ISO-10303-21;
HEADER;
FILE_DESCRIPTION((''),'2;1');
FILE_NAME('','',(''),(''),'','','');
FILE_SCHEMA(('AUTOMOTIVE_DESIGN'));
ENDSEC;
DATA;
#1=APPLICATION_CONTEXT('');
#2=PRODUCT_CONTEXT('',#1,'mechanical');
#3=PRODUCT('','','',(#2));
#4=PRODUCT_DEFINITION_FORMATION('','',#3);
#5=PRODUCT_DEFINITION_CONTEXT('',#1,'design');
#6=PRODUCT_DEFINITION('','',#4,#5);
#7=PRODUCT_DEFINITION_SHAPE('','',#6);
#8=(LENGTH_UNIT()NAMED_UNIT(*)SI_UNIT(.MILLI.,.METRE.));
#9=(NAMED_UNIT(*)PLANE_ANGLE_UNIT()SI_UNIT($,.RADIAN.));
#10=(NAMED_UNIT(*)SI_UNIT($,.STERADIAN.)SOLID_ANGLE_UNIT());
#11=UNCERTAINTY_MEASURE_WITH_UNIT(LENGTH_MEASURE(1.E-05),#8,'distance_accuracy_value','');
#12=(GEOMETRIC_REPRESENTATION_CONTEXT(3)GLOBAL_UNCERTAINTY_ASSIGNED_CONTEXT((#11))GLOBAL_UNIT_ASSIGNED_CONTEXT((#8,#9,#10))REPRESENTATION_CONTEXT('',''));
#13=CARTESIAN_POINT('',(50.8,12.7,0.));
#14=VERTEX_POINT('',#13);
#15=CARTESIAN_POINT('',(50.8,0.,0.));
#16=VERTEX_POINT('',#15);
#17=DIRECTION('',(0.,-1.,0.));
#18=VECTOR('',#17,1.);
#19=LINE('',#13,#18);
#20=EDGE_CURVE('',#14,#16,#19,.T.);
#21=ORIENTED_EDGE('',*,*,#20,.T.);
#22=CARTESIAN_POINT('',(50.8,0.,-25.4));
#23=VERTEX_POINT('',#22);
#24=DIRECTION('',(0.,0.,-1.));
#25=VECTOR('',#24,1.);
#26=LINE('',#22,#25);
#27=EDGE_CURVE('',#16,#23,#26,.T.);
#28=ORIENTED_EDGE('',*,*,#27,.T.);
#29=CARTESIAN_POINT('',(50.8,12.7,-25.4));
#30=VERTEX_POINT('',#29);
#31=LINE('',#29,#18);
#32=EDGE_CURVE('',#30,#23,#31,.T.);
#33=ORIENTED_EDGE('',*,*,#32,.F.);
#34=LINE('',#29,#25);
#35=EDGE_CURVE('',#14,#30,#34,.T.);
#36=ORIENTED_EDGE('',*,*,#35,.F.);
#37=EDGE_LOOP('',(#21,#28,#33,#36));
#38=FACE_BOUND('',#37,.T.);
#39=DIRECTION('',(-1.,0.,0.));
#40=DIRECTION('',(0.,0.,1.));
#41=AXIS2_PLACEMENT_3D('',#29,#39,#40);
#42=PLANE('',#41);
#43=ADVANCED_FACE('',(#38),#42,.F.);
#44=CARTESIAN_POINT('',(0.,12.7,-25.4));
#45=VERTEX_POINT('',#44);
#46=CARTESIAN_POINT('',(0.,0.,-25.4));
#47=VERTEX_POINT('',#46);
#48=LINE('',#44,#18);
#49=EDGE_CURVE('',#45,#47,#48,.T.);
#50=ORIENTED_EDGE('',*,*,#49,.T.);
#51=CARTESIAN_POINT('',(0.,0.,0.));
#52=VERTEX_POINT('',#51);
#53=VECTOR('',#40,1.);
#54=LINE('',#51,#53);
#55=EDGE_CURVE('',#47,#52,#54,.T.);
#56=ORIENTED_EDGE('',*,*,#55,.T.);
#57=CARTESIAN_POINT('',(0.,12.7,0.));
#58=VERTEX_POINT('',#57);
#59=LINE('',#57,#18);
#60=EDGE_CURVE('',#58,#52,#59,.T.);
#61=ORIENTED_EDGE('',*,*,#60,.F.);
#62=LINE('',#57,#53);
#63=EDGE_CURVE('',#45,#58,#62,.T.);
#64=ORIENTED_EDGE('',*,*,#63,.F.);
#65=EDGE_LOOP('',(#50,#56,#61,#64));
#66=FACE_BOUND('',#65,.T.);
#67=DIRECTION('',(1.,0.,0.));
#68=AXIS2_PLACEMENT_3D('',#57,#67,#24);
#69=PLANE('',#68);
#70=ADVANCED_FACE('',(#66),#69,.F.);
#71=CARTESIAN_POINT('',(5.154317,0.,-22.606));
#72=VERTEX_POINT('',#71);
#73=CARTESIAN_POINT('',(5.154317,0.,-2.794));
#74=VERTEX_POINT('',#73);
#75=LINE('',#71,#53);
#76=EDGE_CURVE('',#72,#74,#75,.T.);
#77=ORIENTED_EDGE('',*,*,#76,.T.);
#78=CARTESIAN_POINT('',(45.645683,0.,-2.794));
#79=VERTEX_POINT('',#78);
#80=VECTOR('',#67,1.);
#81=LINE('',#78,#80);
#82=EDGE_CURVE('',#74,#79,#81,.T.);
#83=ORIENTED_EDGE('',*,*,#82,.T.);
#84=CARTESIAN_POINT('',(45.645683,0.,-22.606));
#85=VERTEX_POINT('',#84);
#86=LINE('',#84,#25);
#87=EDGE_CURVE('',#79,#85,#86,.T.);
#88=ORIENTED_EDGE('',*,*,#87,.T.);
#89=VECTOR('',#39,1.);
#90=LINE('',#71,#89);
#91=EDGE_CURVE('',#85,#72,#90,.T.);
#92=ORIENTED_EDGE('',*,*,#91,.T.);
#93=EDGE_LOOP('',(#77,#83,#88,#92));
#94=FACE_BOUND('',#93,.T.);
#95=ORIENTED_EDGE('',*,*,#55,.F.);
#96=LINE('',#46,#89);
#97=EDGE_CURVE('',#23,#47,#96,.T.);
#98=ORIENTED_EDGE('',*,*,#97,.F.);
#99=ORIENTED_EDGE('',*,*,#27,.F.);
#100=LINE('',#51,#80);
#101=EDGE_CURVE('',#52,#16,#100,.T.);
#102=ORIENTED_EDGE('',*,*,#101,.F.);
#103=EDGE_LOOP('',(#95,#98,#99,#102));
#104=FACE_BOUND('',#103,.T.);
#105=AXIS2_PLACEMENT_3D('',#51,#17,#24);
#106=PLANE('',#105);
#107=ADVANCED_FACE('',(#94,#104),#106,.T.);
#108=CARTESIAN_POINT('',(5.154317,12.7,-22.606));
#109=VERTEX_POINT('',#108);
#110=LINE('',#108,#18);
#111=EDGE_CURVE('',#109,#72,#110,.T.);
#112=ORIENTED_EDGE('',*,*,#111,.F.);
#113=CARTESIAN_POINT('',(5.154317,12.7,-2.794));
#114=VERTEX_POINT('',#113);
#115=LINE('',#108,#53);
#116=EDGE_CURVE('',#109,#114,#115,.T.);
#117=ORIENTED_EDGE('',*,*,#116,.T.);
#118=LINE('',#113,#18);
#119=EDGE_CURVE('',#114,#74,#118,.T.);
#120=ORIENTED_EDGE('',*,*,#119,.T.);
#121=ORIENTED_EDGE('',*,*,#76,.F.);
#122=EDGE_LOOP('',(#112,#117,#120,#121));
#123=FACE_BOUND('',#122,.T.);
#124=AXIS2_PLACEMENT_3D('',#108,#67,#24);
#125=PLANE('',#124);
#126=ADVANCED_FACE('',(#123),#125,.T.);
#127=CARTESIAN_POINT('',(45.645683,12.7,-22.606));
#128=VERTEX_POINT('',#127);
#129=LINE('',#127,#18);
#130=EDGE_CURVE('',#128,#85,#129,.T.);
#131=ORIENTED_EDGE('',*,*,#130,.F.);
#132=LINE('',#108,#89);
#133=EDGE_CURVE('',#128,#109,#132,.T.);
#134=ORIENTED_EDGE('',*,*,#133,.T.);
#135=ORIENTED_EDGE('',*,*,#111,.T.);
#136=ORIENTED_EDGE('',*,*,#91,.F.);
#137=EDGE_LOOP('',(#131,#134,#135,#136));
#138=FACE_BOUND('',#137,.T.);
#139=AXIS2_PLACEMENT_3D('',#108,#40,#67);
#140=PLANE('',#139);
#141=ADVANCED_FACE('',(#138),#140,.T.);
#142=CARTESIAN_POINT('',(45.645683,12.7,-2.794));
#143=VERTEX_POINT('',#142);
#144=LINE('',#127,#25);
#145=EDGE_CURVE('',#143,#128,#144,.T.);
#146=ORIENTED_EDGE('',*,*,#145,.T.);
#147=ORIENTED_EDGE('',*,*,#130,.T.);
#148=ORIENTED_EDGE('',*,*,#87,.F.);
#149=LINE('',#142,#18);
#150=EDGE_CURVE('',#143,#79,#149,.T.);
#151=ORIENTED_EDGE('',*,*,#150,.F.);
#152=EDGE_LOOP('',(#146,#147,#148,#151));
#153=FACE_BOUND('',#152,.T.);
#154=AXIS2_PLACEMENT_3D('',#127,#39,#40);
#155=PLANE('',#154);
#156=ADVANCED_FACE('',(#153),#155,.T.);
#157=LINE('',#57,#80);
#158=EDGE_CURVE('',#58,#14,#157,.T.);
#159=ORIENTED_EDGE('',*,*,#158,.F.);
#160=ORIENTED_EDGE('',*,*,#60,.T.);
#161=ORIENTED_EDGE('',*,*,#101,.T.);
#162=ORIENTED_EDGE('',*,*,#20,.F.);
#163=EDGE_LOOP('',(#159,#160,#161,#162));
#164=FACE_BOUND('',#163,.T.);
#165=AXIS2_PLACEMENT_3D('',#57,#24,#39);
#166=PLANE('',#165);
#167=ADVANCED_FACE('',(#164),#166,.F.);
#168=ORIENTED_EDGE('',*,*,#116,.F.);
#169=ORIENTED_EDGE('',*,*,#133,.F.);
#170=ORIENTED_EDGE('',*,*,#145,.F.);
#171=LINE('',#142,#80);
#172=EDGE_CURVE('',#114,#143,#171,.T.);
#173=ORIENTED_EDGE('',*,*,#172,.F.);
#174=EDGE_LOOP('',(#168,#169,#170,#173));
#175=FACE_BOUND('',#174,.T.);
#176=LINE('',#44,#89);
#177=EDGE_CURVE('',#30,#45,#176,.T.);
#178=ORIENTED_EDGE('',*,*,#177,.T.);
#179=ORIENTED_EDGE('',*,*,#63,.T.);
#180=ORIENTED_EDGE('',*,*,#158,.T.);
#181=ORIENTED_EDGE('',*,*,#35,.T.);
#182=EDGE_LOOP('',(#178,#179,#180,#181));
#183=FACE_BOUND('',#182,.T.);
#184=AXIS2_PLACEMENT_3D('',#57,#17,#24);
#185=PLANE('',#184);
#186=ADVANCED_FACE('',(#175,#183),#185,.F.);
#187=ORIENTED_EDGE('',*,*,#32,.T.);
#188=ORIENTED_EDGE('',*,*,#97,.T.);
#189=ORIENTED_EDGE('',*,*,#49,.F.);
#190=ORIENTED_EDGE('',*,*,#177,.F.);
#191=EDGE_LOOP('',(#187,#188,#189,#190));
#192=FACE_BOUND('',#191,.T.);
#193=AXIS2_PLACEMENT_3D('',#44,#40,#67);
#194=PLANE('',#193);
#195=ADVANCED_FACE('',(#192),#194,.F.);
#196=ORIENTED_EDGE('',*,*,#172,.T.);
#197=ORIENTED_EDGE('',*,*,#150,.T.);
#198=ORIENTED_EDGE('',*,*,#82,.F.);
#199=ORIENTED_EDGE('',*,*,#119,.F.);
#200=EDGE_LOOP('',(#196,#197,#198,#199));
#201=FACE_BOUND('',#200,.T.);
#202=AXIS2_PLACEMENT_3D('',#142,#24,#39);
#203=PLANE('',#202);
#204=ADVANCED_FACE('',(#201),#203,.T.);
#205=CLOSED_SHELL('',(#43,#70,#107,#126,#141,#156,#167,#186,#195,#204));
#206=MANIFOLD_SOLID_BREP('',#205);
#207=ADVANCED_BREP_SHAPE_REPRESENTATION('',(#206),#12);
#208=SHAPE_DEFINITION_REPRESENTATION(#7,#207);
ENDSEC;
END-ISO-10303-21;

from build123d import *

# Parameters (mm, degrees)
SKETCH1_W           = 50.8
SKETCH1_H           = 25.4
SKETCH1_W_2         = 40.491366428
SKETCH1_H_2         = 19.812
BOSS_EXTRUDE1_DEPTH = 12.7


with BuildPart() as part:
    # Sketch1 → Boss-Extrude1 (new body)
    with BuildSketch(Plane(origin=(0, 0, 0), x_dir=(1, 0, 0), z_dir=(0, 1, 0))):
        with Locations((25.4, 12.7)):
            Rectangle(SKETCH1_W, SKETCH1_H)
        with Locations((25.4, 12.7)):
            Rectangle(SKETCH1_W_2, SKETCH1_H_2, mode=Mode.SUBTRACT)
    extrude(amount=BOSS_EXTRUDE1_DEPTH)


solid = part.part
